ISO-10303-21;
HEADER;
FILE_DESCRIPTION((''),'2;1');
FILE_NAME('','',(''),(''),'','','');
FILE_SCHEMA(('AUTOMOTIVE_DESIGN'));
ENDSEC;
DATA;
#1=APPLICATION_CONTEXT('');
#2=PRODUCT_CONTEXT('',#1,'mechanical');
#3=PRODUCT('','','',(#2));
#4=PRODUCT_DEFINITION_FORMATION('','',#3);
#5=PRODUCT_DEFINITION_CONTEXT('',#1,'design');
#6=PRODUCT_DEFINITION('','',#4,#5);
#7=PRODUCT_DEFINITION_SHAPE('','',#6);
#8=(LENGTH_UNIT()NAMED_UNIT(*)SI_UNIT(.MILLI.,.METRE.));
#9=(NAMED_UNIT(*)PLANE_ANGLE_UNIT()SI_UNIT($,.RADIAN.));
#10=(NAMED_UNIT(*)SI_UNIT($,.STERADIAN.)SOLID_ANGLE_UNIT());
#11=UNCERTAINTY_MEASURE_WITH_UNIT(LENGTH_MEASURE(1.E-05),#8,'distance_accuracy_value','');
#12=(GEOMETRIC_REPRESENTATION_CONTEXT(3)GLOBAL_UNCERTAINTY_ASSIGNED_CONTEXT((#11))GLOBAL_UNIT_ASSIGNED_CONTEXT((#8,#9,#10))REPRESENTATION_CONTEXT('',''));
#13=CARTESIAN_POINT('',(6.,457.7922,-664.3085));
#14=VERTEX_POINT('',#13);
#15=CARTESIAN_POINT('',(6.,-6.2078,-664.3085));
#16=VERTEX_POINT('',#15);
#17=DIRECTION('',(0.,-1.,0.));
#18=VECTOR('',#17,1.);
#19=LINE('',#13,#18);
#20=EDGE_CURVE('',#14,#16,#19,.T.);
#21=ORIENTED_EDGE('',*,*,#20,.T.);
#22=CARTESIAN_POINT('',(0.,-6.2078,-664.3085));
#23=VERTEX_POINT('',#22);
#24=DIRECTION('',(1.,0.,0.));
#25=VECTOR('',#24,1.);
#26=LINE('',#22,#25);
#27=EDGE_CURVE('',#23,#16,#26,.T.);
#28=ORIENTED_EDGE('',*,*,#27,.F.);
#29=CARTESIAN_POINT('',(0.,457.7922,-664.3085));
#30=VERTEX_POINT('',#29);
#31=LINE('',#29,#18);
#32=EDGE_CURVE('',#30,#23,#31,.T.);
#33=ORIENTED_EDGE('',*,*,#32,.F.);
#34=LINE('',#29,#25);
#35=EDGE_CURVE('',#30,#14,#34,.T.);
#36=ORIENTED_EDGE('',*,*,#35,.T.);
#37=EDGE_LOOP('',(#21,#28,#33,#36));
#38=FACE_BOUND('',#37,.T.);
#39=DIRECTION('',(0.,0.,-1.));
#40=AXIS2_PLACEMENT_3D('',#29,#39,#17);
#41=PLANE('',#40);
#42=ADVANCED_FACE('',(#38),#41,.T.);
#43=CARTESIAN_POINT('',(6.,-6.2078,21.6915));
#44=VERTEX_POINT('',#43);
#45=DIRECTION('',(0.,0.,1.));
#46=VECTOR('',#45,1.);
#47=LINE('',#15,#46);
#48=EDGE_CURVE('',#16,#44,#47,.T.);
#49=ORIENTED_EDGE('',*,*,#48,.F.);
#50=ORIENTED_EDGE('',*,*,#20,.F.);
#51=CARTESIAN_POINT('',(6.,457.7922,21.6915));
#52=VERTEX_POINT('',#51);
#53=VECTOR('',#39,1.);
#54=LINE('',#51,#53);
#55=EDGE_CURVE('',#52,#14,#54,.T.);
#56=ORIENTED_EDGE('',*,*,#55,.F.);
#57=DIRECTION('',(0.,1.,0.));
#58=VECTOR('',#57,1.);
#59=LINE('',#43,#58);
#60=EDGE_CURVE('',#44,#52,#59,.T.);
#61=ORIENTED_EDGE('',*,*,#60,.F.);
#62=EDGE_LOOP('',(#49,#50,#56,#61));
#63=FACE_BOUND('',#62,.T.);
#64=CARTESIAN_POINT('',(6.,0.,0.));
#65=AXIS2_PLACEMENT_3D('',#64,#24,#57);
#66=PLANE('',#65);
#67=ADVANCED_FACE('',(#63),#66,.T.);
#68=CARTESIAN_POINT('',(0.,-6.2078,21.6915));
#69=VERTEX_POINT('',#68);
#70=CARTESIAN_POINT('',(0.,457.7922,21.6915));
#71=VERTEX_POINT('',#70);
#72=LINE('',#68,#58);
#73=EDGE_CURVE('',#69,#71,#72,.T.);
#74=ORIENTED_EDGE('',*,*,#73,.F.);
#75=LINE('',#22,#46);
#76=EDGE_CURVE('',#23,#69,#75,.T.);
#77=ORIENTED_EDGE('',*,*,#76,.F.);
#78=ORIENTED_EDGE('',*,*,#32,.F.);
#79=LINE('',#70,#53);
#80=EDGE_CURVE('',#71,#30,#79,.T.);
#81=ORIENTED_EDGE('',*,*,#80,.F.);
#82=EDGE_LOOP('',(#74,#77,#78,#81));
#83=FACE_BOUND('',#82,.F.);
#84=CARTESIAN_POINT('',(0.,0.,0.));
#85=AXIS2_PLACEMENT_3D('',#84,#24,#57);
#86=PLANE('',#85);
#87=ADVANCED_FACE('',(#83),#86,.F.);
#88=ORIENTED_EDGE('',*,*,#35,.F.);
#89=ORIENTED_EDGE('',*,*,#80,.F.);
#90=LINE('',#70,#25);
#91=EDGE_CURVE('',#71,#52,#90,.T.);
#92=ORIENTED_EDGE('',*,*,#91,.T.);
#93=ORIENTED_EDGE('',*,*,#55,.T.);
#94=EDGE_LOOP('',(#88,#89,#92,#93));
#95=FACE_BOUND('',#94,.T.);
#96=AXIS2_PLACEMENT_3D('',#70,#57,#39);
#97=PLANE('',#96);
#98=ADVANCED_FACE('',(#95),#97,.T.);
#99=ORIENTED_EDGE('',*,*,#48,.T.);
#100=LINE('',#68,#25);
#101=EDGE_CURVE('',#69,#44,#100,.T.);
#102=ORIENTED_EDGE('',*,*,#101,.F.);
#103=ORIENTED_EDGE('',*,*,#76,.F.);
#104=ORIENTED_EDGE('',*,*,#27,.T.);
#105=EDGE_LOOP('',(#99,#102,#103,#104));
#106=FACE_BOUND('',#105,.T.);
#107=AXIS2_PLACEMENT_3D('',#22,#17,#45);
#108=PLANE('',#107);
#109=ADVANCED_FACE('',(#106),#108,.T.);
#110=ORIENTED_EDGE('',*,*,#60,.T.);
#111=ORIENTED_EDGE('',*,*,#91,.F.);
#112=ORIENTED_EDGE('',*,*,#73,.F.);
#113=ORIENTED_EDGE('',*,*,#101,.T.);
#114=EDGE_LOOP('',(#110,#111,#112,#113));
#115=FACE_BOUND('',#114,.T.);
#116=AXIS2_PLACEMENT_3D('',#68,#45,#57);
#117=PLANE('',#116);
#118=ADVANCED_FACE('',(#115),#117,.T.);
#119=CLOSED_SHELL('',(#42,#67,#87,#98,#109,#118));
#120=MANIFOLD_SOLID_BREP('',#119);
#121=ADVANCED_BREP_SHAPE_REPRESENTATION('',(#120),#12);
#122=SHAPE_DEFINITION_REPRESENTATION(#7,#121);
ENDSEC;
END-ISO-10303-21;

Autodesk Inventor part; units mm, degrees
ref_plane "YZ Plane" through (0, 0, 0) normal (1, 0, 0) x (0, 1, 0)
ref_plane "XZ Plane" through (0, 0, 0) normal (0, 1, 0) x (-1, 0, 0)
ref_plane "XY Plane" through (0, 0, 0) normal (0, 0, 1) x (1, 0, 0)
sketch "Sketch1" plane through (0, 0, 0) normal (1, 0, 0) x (0, 1, 0)
  line L0 (-6.2078, 21.6915) -> (457.7922, 21.6915)
  line L1 (457.7922, 21.6915) -> (457.7922, -664.3085)
  line L2 (457.7922, -664.3085) -> (-6.2078, -664.3085)
  line L3 (-6.2078, -664.3085) -> (-6.2078, 21.6915)
  point P0 (0, 0)
  dimension "d0" = 464
  dimension "b" = 686
extrude "Extrusion1" add sketch "Sketch1" along normal blind 6
properties part number "CUT PART J"
